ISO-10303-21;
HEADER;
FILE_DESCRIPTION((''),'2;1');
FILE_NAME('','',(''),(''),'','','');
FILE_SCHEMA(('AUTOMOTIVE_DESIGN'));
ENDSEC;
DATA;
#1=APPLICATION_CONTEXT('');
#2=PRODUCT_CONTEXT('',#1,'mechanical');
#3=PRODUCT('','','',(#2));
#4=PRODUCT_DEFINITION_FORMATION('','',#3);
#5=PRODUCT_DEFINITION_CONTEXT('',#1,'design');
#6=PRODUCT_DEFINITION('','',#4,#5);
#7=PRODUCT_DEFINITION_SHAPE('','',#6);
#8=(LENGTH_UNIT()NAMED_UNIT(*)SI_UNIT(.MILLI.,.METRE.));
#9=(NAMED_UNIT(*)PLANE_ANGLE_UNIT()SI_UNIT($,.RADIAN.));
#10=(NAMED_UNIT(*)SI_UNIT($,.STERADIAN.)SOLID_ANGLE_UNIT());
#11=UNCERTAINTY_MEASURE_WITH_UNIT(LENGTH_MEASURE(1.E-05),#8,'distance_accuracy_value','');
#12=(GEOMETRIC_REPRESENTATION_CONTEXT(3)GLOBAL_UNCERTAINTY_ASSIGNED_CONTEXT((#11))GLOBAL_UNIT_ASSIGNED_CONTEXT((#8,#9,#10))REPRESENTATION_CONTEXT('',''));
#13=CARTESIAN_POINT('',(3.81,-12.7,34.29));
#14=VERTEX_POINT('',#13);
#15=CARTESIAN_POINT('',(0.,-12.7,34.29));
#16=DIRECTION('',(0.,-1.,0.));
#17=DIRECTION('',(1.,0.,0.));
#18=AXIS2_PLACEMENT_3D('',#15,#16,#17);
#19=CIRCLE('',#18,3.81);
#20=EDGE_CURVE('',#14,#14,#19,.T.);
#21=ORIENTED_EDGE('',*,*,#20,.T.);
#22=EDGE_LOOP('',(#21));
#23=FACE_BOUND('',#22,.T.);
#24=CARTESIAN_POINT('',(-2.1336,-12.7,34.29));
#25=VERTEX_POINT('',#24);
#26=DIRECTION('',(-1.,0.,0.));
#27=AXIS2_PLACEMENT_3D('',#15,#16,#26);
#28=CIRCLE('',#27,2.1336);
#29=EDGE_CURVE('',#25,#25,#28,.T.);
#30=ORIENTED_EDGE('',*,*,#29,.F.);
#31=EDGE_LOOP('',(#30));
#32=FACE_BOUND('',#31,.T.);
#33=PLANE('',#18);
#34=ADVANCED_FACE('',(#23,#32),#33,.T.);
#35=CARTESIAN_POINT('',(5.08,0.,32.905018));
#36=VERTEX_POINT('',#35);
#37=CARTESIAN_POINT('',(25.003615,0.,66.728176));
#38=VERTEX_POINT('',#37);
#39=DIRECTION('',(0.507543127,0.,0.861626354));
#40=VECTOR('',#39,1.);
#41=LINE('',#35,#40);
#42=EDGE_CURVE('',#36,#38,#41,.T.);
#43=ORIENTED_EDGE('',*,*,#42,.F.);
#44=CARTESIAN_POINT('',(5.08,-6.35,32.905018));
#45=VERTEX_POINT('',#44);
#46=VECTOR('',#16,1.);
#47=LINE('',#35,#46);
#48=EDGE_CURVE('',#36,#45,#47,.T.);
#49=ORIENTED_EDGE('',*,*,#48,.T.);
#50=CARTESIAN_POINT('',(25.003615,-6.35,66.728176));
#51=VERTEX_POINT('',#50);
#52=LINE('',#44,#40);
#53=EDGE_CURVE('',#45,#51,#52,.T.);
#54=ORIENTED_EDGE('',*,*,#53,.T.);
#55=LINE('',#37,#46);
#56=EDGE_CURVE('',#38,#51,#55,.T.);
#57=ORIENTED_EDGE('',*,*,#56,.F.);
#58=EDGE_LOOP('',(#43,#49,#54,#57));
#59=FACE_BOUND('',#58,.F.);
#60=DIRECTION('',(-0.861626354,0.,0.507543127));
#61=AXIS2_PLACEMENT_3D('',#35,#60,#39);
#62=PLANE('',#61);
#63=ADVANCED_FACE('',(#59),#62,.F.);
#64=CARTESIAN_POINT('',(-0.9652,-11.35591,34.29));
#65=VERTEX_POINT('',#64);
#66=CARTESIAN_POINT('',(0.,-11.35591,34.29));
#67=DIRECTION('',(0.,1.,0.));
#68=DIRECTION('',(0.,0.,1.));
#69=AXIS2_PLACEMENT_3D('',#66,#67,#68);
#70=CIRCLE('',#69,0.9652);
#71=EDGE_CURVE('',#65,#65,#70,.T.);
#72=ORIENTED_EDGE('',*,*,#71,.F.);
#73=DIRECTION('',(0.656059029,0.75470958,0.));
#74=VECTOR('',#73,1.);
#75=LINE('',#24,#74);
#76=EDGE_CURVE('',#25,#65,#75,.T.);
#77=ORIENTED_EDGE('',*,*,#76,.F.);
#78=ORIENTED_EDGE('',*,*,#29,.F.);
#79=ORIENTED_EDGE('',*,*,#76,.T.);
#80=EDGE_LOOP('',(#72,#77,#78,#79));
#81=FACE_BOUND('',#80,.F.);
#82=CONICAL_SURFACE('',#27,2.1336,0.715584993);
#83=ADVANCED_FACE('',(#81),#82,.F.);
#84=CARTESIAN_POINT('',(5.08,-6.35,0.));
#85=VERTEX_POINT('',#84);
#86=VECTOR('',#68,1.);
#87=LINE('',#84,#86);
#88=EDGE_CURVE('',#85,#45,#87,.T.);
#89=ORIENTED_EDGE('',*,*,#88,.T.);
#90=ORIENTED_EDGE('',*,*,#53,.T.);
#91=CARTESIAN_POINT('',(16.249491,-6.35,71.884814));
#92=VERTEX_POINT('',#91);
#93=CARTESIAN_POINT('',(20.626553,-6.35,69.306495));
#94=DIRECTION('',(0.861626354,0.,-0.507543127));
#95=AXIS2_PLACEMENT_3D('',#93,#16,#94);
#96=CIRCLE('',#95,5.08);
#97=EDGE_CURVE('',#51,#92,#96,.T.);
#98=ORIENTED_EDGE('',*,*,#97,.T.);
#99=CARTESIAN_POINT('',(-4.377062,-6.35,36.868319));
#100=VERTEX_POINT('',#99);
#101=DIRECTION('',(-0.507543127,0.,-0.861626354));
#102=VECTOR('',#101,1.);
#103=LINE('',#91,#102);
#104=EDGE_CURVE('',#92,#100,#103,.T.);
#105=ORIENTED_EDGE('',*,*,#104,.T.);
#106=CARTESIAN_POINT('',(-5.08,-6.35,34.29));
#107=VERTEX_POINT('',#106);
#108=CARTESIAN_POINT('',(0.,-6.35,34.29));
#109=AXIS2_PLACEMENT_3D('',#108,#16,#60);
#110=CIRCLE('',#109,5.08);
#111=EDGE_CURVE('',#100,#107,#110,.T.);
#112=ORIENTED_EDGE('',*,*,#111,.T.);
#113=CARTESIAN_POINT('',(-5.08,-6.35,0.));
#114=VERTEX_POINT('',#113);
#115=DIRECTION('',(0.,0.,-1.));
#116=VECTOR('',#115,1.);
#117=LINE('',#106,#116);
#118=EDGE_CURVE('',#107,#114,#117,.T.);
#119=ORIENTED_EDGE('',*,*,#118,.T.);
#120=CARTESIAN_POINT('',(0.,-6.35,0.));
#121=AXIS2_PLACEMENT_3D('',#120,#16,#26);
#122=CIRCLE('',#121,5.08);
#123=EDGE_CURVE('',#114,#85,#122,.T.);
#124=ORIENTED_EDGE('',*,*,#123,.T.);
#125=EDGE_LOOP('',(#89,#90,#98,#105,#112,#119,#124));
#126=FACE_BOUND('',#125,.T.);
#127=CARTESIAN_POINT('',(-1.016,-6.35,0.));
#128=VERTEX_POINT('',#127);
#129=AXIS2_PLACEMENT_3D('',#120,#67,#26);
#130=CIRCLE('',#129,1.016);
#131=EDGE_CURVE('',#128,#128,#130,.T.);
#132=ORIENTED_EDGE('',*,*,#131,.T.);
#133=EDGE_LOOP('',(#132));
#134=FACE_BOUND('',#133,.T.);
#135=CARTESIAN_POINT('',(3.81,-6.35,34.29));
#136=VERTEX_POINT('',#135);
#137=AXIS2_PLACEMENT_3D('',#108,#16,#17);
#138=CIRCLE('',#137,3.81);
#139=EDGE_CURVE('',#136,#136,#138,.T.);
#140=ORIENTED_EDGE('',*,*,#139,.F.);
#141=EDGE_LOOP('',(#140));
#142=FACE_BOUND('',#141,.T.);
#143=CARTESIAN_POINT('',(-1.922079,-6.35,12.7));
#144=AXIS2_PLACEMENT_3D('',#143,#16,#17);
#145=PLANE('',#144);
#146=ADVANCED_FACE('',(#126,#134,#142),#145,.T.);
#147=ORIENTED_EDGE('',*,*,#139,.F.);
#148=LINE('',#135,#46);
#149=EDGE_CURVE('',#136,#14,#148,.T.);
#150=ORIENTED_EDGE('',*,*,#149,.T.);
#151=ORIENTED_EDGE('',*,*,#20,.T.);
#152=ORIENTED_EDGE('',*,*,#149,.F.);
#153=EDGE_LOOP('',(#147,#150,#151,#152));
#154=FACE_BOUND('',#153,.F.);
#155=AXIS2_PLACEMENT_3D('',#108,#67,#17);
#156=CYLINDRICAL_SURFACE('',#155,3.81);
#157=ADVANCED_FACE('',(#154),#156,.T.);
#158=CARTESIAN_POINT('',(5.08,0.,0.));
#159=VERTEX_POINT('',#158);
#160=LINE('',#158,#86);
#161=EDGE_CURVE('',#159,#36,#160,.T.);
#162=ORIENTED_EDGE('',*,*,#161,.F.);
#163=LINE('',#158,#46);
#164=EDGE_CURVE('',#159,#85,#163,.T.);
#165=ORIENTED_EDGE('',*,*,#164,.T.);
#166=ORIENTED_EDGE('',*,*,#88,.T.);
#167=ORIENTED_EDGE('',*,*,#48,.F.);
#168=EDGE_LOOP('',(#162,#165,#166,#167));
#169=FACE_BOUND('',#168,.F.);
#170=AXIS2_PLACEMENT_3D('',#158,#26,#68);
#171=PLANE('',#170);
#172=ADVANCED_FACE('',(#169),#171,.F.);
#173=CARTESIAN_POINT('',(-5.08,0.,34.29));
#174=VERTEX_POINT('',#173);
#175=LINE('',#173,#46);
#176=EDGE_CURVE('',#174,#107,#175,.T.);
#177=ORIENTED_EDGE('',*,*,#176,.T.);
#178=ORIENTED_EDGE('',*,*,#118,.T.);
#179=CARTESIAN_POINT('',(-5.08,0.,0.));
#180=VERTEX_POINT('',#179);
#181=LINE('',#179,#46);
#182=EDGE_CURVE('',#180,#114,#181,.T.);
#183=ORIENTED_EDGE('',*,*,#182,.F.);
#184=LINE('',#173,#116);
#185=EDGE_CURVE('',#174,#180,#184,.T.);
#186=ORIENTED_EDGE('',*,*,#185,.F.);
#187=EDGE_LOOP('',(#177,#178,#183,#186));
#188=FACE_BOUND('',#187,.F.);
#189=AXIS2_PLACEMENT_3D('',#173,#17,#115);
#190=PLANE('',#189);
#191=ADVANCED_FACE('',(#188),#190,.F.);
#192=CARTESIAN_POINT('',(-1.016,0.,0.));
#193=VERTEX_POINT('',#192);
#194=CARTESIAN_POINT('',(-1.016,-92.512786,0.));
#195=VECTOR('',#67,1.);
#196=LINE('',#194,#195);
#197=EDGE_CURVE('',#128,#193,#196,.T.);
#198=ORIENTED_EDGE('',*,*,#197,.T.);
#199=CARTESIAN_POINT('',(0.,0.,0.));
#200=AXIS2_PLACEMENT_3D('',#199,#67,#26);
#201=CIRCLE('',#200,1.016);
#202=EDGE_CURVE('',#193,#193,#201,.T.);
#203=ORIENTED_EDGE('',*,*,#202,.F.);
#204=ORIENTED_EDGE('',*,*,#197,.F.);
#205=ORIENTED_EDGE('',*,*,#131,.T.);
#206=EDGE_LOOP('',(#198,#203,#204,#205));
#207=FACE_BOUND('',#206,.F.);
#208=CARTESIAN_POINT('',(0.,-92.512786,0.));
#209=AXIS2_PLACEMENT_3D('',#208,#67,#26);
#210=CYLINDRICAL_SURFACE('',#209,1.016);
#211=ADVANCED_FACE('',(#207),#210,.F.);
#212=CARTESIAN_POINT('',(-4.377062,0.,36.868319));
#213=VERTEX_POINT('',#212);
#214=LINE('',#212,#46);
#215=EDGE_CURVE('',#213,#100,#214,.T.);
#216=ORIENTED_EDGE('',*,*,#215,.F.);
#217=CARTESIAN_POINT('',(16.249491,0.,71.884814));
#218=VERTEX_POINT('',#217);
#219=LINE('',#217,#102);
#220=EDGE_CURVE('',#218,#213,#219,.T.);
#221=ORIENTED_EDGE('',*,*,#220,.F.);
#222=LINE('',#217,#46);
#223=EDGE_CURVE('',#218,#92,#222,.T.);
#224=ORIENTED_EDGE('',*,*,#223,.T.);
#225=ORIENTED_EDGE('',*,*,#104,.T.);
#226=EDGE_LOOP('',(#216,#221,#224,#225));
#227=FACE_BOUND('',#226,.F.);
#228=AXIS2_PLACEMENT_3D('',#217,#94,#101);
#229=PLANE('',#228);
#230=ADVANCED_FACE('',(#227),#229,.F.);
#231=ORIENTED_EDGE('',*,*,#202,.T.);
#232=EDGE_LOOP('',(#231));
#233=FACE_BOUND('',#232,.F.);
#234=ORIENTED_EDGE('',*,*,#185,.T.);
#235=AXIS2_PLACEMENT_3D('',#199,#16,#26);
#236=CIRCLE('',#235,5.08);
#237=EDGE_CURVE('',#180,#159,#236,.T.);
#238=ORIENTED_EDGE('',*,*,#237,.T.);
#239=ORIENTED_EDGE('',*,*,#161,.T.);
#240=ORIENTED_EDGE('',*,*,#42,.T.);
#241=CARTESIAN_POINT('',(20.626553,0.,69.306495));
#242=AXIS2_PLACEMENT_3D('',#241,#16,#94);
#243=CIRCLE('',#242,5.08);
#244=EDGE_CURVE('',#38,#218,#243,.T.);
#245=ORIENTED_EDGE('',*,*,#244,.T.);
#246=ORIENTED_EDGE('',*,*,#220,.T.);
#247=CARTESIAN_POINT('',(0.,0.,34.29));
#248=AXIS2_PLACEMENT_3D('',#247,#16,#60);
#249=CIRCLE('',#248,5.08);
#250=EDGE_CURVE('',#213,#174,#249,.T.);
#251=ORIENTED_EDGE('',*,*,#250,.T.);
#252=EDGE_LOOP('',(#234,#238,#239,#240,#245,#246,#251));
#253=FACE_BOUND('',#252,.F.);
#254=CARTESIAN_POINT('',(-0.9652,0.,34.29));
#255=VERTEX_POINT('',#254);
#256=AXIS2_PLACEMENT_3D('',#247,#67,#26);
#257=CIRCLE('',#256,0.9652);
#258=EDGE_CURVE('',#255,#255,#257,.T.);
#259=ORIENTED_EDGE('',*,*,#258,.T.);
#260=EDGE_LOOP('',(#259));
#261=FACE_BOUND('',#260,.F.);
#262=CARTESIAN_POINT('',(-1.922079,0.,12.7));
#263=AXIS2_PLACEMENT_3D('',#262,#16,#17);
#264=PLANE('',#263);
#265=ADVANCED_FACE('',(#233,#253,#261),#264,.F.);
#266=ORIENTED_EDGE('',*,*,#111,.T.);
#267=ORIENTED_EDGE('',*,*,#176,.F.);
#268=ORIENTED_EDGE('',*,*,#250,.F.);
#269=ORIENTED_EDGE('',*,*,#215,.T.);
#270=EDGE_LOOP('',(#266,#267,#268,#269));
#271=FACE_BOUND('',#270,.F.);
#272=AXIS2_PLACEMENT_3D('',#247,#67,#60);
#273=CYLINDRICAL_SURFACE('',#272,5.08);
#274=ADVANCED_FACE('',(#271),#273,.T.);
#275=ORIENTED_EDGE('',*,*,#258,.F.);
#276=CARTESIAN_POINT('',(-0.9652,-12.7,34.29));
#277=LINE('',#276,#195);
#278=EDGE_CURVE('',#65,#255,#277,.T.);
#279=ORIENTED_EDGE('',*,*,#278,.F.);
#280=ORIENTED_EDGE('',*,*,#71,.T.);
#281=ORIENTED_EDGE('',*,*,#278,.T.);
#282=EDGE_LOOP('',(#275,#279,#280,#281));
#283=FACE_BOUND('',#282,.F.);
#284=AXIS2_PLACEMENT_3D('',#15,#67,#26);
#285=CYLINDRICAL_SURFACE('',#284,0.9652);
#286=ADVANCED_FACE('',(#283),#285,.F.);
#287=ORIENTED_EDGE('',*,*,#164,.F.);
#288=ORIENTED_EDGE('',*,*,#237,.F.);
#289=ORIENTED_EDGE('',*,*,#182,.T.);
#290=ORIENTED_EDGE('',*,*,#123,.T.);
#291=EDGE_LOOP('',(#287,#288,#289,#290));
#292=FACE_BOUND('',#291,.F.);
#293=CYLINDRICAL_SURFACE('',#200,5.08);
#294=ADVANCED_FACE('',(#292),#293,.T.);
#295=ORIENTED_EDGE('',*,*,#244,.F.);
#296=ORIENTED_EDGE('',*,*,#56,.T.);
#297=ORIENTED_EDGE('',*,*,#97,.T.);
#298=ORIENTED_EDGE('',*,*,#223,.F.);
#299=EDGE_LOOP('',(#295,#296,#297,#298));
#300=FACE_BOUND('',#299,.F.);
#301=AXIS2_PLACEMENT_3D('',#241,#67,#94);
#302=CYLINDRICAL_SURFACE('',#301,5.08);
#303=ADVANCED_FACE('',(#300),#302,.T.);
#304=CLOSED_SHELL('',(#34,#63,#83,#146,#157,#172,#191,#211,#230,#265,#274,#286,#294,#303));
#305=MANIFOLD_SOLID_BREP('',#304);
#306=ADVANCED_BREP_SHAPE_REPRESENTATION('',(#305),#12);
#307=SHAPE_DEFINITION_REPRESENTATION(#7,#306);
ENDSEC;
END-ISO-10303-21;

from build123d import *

# Parameters (mm, degrees)
F1_DEPTH       = 6.35
F2_R           = 3.81
F3_DEPTH       = 6.35
F5_D           = 1.9304
F5_CSINK_D     = 4.2672
F5_CSINK_ANGLE = 82
F7_D           = 2.032


with BuildPart() as f1:
    # F0 (on Front) → F1 (new body)
    with BuildSketch(Plane.XZ):
        with BuildLine():
            ThreePointArc((-5.08, 12.7), (-3.5921024484, 9.1078975516), (0, 7.62))
            Line((0, 7.62), (0, 12.7))
            Line((0, 12.7), (0, 17.78))
            ThreePointArc((0, 17.78), (-3.5921024484, 16.2921024484), (-5.08, 12.7))
        make_face()
        with BuildLine():
            Line((0, 12.7), (0, 7.62))
            ThreePointArc((0, 7.62), (3.5921024484, 9.1078975516), (5.08, 12.7))
            ThreePointArc((5.08, 12.7), (3.5921024484, 16.2921024484), (0, 17.78))
            Line((0, 17.78), (0, 12.7))
        make_face()
        with BuildLine():
            ThreePointArc((5.08, 12.7), (3.5921024484, 9.1078975516), (0, 7.62))
            ThreePointArc((0, 7.62), (-3.5921024484, 9.1078975516), (-5.08, 12.7))
            Line((-5.08, 12.7), (-5.08, 0))
            ThreePointArc((-5.08, 0), (0, -5.08), (5.08, 0))
            Line((5.08, 0), (5.08, 12.7))
        make_face()
        with BuildLine():
            ThreePointArc((0, 17.78), (3.5921024484, 16.2921024484), (5.08, 12.7))
            Line((5.08, 12.7), (5.08, 32.9050179497))
            Line((5.08, 32.9050179497), (4.3770618794, 31.711680915))
            ThreePointArc((4.3770618794, 31.711680915), (2.5207676458, 29.8795430536), (0, 29.21))
            Line((0, 29.21), (0, 17.78))
        make_face()
        with BuildLine():
            Line((-5.08, 34.29), (-5.08, 12.7))
            ThreePointArc((-5.08, 12.7), (-3.5921024484, 16.2921024484), (0, 17.78))
            Line((0, 17.78), (0, 29.21))
            ThreePointArc((0, 29.21), (-3.5921024484, 30.6978975516), (-5.08, 34.29))
        make_face()
        with BuildLine():
            Line((4.3770618794, 31.711680915), (5.08, 32.9050179497))
            Line((5.08, 32.9050179497), (5.08, 34.29))
            ThreePointArc((5.08, 34.29), (4.4104569464, 36.8107676458), (2.578319085, 38.6670618794))
            Line((2.578319085, 38.6670618794), (0, 34.29))
            Line((0, 34.29), (0, 29.21))
            ThreePointArc((0, 29.21), (2.5207676458, 29.8795430536), (4.3770618794, 31.711680915))
        make_face()
        with BuildLine():
            Line((5.08, 34.29), (5.08, 32.9050179497))
            Line((5.08, 32.9050179497), (25.0036145592, 66.7281759502))
            ThreePointArc((25.0036145592, 66.7281759502), (23.2048717648, 73.6835569145), (16.2494908004, 71.8848141201))
            Line((16.2494908004, 71.8848141201), (-4.3770618794, 36.868319085))
            ThreePointArc((-4.3770618794, 36.868319085), (-1.2719032275, 39.2081970456), (2.578319085, 38.6670618794))
            ThreePointArc((2.578319085, 38.6670618794), (4.4104569464, 36.8107676458), (5.08, 34.29))
        make_face()
        with BuildLine():
            ThreePointArc((-4.3770618794, 36.868319085), (-4.9011159111, 35.6262121188), (-5.08, 34.29))
            ThreePointArc((-5.08, 34.29), (-3.5921024484, 30.6978975516), (0, 29.21))
            Line((0, 29.21), (0, 34.29))
            Line((0, 34.29), (2.578319085, 38.6670618794))
            ThreePointArc((2.578319085, 38.6670618794), (-1.2719032275, 39.2081970456), (-4.3770618794, 36.868319085))
        make_face()
    extrude(amount=F1_DEPTH)

    # F2 (on face) → F3 (join)
    with BuildSketch(Plane.XZ.offset(6.35)):
        with Locations((0, 34.29)):
            Circle(F2_R)
    extrude(amount=F3_DEPTH)

    # F5 (through all)
    with Locations(Plane.XZ.offset(12.7)):
        with Locations((0, 34.29)):
            CounterSinkHole(F5_D / 2, F5_CSINK_D / 2, counter_sink_angle=F5_CSINK_ANGLE)

    # F7 (through all)
    with Locations(Plane.XZ.offset(6.35)):
        with Locations((0, 0)):
            Hole(F7_D / 2)


solid = f1.part
